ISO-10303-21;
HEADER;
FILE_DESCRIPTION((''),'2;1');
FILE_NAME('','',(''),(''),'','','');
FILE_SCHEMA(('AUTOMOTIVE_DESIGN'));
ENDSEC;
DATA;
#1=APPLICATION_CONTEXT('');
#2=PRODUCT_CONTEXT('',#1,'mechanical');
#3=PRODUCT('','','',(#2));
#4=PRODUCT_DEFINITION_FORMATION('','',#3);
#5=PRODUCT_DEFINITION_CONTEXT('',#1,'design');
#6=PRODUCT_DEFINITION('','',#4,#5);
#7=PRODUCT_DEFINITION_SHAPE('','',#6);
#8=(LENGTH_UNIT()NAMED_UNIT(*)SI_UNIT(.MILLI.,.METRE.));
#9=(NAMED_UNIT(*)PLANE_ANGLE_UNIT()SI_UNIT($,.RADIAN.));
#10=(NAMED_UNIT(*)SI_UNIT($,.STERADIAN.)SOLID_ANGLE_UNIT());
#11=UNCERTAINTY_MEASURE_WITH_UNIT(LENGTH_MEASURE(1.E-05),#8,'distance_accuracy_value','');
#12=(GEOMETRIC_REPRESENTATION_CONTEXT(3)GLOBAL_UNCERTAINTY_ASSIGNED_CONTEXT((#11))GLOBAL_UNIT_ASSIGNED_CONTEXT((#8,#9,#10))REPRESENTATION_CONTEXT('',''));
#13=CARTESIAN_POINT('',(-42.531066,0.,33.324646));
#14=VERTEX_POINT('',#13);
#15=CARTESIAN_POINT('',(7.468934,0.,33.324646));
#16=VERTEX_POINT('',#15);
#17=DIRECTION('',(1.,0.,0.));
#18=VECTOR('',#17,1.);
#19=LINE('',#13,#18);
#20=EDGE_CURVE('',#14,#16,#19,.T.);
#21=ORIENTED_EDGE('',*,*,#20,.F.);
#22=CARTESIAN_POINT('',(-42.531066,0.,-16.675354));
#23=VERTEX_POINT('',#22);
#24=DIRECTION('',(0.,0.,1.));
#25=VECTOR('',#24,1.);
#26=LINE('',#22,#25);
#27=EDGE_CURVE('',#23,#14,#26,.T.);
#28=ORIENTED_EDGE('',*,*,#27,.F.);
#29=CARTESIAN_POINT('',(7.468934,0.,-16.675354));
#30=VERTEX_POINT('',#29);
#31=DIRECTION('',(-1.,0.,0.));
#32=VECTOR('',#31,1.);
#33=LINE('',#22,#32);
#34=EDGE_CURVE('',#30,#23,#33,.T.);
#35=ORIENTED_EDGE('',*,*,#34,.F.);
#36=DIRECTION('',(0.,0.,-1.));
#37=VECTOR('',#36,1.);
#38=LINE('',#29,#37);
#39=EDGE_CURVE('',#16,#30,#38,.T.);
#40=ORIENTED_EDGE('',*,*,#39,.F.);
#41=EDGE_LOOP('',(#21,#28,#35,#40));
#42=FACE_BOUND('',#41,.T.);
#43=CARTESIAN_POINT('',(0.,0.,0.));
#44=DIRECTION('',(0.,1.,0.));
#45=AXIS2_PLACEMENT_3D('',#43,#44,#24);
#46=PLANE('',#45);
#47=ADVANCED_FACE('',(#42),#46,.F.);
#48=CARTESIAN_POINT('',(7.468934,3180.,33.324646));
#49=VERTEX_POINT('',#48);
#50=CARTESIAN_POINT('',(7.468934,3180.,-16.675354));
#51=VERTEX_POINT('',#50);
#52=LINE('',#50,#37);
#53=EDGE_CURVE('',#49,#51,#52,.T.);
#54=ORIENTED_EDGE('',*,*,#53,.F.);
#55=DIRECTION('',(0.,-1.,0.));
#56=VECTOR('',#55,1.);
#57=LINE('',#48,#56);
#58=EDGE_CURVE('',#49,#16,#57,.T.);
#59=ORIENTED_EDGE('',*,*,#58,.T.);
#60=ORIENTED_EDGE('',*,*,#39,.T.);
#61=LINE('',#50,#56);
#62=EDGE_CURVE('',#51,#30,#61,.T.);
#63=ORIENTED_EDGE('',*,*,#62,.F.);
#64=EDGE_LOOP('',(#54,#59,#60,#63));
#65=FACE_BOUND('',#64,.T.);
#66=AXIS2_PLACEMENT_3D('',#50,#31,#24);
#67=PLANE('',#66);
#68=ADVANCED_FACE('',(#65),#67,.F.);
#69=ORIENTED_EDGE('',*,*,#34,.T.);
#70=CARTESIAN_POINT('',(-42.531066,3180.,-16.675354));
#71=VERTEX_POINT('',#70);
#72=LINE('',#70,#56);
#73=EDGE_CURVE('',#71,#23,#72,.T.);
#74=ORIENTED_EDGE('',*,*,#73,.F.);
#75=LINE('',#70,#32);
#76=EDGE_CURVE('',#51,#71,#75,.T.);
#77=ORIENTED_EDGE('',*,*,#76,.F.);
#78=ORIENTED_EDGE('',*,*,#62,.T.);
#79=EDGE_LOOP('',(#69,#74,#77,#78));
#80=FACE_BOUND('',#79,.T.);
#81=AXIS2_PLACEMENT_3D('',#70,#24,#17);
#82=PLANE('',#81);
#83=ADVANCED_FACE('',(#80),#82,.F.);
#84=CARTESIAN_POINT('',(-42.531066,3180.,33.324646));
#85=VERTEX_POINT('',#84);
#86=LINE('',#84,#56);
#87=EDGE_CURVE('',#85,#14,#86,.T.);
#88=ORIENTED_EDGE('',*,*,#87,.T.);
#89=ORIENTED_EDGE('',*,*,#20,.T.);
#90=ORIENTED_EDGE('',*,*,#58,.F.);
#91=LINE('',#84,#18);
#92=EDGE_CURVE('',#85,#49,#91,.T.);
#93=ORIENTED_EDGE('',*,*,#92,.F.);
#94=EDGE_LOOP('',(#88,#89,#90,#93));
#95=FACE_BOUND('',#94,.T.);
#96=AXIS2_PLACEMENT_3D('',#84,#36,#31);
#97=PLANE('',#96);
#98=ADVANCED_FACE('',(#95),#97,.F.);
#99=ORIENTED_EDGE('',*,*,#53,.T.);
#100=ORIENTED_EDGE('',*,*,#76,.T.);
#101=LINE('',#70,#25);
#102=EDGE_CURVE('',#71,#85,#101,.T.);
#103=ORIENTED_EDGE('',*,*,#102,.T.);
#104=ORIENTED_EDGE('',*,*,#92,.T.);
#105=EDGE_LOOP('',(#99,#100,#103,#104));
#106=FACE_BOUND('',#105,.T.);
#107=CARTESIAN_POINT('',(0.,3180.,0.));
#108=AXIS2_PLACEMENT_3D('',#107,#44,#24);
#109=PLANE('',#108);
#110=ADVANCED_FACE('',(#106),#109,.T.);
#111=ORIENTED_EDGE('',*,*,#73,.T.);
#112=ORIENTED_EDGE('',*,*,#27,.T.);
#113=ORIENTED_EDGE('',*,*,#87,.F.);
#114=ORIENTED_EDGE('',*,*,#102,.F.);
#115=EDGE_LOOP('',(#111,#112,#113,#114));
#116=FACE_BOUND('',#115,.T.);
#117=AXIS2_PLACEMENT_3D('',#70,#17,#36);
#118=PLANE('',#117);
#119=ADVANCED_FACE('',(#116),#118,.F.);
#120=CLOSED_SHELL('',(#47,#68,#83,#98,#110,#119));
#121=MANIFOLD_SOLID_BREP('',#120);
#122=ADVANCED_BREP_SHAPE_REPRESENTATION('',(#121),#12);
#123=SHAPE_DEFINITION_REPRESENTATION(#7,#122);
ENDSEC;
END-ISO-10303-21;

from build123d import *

# Parameters (mm, degrees)
SKETCH_1_W      = 50
SKETCH_1_H      = 50
EXTRUDE_1_DEPTH = 3180


with BuildPart() as part:
    # Эскиз1 → Бобышка-Вытянуть1 (new body)
    with BuildSketch(Plane(origin=(0, 0, 0), x_dir=(1, 0, 0), z_dir=(0, 1, 0))):
        with Locations((-17.531066264, -8.324646433)):
            Rectangle(SKETCH_1_W, SKETCH_1_H)
    extrude(amount=EXTRUDE_1_DEPTH)


solid = part.part
